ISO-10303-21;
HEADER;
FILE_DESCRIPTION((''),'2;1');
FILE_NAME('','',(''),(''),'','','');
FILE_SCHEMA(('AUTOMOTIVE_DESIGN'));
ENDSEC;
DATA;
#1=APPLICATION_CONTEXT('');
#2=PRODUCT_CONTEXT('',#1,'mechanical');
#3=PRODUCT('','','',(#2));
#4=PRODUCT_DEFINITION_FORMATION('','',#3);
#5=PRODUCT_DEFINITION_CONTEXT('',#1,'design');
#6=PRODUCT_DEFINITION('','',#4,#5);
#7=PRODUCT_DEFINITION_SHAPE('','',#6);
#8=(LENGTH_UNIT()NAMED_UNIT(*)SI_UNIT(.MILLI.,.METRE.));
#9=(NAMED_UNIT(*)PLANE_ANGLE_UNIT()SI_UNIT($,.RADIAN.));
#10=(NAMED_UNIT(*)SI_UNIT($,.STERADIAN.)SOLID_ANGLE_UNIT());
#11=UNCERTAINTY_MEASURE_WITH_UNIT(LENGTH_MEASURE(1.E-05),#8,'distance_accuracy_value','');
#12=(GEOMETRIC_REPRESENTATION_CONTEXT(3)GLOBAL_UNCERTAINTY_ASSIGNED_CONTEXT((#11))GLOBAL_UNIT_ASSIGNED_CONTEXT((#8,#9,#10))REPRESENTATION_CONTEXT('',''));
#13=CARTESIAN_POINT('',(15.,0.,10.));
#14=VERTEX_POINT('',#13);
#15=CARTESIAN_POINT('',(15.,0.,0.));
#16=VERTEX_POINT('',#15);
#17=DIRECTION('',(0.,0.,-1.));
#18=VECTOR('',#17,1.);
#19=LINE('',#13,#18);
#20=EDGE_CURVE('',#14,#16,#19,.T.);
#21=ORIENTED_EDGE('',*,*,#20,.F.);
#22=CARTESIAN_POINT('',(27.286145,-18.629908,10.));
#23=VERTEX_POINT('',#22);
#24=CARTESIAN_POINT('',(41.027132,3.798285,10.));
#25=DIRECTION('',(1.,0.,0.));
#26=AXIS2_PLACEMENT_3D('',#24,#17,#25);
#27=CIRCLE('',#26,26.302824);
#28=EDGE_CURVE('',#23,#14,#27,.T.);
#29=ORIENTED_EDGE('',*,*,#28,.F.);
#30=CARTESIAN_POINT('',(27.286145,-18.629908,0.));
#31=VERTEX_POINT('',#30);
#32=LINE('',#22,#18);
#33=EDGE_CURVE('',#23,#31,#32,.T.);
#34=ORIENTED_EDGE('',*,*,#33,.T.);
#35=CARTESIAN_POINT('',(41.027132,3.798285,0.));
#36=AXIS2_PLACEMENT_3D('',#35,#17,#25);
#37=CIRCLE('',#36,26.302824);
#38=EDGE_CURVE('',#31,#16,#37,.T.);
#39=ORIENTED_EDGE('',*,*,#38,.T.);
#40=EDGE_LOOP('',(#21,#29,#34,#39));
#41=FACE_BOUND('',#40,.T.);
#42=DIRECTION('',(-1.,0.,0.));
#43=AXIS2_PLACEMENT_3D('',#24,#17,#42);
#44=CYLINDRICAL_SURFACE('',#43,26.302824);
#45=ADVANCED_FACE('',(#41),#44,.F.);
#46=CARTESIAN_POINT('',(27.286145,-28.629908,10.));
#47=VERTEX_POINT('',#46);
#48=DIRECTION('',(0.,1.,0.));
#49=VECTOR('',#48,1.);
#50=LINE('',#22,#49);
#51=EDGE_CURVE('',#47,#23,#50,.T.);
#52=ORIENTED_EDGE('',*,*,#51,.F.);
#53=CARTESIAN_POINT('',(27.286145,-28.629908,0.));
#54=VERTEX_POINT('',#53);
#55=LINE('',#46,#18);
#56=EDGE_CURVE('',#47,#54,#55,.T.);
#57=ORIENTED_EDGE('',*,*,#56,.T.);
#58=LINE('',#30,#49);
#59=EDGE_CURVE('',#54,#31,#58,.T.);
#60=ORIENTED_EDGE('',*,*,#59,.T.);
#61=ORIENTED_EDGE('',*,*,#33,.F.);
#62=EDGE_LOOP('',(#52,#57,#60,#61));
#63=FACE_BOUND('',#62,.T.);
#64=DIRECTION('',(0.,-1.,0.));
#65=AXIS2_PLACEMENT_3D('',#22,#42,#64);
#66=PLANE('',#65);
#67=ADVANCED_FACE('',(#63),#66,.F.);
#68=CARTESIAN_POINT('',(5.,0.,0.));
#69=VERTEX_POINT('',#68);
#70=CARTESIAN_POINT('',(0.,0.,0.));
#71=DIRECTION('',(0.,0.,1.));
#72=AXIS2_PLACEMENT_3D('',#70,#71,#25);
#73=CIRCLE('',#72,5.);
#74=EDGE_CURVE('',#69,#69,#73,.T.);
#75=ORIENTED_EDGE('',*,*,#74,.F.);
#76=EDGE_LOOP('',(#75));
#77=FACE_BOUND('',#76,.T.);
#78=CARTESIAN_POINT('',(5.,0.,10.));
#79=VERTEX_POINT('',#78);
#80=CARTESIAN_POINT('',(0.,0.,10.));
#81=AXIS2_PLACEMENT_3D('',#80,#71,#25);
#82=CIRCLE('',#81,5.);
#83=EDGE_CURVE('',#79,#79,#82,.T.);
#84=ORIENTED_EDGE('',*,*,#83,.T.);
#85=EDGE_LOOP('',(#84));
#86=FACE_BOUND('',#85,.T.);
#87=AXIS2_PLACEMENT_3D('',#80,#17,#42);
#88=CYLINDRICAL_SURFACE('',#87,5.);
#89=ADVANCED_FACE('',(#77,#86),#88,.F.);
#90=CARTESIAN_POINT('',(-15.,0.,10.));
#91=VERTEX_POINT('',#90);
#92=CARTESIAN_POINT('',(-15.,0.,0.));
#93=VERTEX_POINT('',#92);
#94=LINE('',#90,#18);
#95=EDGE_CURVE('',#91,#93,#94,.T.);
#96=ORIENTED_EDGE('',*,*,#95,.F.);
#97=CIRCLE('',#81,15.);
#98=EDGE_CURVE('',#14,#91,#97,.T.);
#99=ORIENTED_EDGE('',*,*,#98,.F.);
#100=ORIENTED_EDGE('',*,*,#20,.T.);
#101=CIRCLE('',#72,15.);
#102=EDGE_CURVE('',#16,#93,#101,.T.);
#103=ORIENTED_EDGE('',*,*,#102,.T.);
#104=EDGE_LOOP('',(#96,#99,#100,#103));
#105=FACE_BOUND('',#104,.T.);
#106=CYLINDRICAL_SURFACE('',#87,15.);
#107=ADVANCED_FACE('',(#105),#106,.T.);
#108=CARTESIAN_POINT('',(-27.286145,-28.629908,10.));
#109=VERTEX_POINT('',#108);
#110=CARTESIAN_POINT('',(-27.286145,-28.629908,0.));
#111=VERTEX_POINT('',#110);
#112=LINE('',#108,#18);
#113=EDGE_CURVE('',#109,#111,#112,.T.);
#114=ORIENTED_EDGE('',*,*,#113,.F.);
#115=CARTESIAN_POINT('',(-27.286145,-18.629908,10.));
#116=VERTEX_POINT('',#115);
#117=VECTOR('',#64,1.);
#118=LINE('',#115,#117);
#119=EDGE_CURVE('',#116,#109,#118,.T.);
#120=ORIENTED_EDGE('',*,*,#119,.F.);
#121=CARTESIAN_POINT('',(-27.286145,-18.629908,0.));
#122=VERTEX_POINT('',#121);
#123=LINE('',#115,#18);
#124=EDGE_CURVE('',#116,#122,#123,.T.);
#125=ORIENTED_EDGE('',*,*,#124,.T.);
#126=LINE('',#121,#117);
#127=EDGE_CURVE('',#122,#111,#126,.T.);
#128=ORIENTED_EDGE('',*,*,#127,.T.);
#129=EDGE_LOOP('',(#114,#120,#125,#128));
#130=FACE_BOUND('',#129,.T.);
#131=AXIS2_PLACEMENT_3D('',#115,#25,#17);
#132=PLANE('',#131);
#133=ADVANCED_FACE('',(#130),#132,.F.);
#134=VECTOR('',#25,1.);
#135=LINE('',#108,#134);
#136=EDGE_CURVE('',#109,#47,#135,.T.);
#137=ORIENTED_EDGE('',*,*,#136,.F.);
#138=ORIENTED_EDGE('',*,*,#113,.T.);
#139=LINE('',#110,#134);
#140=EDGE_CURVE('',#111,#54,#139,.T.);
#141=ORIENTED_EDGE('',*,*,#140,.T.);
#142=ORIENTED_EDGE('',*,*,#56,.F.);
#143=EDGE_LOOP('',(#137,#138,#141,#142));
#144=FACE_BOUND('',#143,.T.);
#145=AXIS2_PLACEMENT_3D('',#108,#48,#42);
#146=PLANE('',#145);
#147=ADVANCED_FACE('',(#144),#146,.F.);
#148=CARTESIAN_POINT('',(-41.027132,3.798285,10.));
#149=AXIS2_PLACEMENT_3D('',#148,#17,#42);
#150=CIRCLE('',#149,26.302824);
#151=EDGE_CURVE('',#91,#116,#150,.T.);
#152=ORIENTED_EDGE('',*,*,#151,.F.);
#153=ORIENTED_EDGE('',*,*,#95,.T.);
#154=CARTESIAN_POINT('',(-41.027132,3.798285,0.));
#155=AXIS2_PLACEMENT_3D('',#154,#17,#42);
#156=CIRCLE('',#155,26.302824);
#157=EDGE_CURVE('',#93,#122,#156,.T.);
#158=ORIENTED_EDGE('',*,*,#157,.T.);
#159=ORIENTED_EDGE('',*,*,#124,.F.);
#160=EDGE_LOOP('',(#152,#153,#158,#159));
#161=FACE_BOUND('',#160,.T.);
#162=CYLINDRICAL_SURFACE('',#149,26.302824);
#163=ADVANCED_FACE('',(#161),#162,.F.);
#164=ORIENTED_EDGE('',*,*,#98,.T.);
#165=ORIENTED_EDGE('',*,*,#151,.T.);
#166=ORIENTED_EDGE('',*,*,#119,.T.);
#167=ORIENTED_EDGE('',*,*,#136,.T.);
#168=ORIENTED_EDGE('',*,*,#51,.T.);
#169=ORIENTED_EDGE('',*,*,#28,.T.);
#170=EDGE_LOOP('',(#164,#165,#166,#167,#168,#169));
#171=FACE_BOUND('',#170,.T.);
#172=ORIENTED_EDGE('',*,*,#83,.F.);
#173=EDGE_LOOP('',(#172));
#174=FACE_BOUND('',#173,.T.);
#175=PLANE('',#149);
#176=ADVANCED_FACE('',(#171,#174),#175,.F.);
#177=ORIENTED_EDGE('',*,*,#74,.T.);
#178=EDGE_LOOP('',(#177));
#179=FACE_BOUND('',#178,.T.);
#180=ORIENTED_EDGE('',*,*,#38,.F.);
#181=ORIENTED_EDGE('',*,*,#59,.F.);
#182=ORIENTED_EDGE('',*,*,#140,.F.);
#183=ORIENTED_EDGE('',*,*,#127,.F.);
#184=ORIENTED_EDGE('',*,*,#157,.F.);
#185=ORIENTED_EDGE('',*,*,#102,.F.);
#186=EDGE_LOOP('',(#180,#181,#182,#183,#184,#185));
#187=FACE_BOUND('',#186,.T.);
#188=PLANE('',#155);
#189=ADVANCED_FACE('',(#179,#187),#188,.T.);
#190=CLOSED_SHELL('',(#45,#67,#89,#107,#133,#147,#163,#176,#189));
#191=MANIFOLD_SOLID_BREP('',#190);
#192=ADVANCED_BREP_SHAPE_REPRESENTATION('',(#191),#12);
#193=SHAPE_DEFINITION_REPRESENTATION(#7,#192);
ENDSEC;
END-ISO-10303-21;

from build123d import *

# Parameters (mm, degrees)
ESBO_O1_R                = 5
RESSALTO_EXTRUS_O1_DEPTH = 10


with BuildPart() as part:
    # Esboço1 → Ressalto-extrusão1 (new body)
    with BuildSketch(Plane.XY):
        with BuildLine():
            Line((-27.286144523, -18.629908028), (-27.286144523, -28.629908028))
            Line((-27.286144523, -28.629908028), (27.286144523, -28.629908028))
            Line((27.286144523, -28.629908028), (27.286144523, -18.629908028))
            ThreePointArc((27.286144523, -18.629908028), (19.069349751, -10.682542862), (15, 0))
            ThreePointArc((15, 0), (0, 15), (-15, 0))
            ThreePointArc((-15, 0), (-19.069349751, -10.682542862), (-27.286144523, -18.629908028))
        make_face()
        Circle(ESBO_O1_R, mode=Mode.SUBTRACT)
    extrude(amount=RESSALTO_EXTRUS_O1_DEPTH)


solid = part.part
